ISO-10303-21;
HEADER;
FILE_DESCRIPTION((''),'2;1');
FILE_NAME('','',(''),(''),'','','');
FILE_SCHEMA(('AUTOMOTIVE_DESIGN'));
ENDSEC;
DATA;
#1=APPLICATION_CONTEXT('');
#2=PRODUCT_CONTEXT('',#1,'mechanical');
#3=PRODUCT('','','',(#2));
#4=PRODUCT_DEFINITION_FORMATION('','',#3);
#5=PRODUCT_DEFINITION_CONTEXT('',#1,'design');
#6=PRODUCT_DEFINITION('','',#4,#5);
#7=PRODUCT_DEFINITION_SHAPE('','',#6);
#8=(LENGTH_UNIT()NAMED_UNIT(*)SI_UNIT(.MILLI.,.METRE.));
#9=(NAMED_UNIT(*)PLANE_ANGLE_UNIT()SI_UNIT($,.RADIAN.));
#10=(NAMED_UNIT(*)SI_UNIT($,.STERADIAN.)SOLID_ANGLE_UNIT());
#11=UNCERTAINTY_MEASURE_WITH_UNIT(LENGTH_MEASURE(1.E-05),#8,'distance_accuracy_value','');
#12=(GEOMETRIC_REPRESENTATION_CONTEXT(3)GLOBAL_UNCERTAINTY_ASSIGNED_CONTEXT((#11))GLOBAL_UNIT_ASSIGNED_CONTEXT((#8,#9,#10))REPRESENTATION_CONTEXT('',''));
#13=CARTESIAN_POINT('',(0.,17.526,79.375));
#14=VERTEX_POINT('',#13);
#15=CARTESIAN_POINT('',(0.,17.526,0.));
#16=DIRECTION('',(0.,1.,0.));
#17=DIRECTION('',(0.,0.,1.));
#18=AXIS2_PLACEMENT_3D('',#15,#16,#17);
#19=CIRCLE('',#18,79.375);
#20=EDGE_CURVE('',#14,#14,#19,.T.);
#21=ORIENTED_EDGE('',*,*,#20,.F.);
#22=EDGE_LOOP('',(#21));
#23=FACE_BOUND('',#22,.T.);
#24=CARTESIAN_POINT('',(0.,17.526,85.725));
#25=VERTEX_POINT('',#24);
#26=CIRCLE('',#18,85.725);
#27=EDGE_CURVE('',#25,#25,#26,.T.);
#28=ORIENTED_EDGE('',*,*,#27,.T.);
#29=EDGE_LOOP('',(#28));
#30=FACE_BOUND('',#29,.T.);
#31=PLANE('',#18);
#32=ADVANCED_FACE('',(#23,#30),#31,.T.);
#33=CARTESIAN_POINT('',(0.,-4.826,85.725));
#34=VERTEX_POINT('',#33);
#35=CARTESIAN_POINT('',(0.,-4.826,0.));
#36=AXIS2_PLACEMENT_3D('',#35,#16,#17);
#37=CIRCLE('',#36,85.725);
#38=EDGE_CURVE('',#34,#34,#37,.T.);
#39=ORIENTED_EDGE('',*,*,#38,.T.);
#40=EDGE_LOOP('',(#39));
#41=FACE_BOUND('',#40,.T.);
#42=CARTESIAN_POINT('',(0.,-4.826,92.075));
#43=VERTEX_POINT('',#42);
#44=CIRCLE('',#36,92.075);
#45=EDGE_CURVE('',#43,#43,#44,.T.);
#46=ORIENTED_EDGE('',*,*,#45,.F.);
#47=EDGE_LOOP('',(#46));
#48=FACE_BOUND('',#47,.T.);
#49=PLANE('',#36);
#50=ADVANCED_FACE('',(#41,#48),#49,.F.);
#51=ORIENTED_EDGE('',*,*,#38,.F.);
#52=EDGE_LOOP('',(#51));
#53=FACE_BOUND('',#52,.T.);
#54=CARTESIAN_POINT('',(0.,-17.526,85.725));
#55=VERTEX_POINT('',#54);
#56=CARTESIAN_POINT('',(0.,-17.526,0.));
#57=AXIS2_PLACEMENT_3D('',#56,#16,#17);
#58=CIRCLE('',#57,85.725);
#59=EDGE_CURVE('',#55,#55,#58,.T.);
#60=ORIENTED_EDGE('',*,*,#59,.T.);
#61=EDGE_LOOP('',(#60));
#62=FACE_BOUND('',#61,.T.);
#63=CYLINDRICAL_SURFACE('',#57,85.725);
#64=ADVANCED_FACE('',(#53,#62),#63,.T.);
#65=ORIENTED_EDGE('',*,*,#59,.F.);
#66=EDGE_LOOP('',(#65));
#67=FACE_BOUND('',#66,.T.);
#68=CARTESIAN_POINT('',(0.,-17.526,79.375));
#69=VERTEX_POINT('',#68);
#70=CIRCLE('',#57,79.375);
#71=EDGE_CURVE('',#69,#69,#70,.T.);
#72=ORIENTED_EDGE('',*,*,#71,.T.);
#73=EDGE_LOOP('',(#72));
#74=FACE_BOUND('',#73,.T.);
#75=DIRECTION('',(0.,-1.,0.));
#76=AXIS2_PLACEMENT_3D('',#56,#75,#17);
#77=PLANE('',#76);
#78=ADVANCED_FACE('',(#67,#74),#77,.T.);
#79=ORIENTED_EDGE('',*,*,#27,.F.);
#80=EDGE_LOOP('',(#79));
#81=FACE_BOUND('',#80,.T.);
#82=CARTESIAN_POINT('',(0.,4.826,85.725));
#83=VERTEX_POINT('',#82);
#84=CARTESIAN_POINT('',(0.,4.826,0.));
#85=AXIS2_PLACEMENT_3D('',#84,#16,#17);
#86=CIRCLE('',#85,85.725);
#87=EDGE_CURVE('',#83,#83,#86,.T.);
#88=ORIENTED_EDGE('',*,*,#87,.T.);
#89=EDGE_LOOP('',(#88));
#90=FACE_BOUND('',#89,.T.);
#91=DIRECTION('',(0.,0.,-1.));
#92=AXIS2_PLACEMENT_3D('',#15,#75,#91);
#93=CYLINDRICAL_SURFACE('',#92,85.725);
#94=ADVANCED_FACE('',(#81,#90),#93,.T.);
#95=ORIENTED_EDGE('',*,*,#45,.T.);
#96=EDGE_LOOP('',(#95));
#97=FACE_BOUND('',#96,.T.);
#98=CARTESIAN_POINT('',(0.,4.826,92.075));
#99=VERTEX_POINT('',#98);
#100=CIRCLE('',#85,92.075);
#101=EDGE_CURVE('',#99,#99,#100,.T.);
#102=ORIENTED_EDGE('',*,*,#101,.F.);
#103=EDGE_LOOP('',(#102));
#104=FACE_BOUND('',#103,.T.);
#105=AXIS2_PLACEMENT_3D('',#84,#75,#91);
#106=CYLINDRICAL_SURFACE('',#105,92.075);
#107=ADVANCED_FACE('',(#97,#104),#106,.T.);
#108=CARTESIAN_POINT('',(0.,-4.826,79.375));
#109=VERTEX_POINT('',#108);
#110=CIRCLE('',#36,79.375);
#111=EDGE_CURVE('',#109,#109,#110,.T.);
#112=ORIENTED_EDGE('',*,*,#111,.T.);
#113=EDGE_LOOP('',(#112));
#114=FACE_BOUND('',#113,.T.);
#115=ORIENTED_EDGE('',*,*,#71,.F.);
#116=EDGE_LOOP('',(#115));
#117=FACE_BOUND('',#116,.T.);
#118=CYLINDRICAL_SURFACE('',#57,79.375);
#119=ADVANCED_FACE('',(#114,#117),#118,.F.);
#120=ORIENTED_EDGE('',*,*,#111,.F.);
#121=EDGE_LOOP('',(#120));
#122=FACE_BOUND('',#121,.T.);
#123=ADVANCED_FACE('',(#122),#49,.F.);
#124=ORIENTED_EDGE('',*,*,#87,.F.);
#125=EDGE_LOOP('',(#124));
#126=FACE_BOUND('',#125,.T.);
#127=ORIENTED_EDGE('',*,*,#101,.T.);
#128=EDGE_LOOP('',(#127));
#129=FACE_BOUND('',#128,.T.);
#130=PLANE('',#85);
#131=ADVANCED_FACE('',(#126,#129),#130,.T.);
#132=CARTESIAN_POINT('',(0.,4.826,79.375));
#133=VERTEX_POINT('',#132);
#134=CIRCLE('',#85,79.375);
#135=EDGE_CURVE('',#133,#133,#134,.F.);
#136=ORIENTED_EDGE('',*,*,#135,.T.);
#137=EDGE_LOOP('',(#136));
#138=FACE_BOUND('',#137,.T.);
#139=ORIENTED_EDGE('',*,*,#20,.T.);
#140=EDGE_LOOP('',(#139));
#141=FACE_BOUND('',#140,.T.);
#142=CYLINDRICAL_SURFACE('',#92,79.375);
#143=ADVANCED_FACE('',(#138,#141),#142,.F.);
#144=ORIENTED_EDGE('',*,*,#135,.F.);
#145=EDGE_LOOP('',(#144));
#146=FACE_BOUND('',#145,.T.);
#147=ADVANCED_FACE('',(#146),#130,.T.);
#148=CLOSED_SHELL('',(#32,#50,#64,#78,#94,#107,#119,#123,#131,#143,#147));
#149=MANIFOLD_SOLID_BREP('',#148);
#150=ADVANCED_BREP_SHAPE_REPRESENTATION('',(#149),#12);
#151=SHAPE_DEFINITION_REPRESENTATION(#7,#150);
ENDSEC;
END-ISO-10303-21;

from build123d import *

# Parameters (mm, degrees)
SKETCH1_R           = 92.075
BOSS_EXTRUDE1_DEPTH = 4.826
SKETCH4_R           = 85.725
SKETCH4_R_2         = 79.375
BOSS_EXTRUDE2_DEPTH = 12.7


with BuildPart() as part:
    # Sketch1 → Boss-Extrude1 (new, symmetric)
    with BuildSketch(Plane(origin=(0, 0, 0), x_dir=(1, 0, 0), z_dir=(0, 1, 0))):
        with Locations(Location((0, 0, 0), (0, 0, 270))):
            Circle(SKETCH1_R)
    extrude(amount=BOSS_EXTRUDE1_DEPTH, both=True)

    # Sketch4 → Boss-Extrude2 (add)
    with BuildSketch(Plane(origin=(0, 4.826, 0), x_dir=(1, 0, 0), z_dir=(0, 1, 0))):
        with Locations(Location((0, 0, 0), (0, 0, 270))):
            Circle(SKETCH4_R)
        with Locations(Location((0, 0, 0), (0, 0, 270))):
            Circle(SKETCH4_R_2, mode=Mode.SUBTRACT)
    boss_extrude2 = extrude(amount=BOSS_EXTRUDE2_DEPTH)

    # Mirror2: Boss-Extrude2 across plane
    add(boss_extrude2.mirror(Plane.ZX))


solid = part.part
